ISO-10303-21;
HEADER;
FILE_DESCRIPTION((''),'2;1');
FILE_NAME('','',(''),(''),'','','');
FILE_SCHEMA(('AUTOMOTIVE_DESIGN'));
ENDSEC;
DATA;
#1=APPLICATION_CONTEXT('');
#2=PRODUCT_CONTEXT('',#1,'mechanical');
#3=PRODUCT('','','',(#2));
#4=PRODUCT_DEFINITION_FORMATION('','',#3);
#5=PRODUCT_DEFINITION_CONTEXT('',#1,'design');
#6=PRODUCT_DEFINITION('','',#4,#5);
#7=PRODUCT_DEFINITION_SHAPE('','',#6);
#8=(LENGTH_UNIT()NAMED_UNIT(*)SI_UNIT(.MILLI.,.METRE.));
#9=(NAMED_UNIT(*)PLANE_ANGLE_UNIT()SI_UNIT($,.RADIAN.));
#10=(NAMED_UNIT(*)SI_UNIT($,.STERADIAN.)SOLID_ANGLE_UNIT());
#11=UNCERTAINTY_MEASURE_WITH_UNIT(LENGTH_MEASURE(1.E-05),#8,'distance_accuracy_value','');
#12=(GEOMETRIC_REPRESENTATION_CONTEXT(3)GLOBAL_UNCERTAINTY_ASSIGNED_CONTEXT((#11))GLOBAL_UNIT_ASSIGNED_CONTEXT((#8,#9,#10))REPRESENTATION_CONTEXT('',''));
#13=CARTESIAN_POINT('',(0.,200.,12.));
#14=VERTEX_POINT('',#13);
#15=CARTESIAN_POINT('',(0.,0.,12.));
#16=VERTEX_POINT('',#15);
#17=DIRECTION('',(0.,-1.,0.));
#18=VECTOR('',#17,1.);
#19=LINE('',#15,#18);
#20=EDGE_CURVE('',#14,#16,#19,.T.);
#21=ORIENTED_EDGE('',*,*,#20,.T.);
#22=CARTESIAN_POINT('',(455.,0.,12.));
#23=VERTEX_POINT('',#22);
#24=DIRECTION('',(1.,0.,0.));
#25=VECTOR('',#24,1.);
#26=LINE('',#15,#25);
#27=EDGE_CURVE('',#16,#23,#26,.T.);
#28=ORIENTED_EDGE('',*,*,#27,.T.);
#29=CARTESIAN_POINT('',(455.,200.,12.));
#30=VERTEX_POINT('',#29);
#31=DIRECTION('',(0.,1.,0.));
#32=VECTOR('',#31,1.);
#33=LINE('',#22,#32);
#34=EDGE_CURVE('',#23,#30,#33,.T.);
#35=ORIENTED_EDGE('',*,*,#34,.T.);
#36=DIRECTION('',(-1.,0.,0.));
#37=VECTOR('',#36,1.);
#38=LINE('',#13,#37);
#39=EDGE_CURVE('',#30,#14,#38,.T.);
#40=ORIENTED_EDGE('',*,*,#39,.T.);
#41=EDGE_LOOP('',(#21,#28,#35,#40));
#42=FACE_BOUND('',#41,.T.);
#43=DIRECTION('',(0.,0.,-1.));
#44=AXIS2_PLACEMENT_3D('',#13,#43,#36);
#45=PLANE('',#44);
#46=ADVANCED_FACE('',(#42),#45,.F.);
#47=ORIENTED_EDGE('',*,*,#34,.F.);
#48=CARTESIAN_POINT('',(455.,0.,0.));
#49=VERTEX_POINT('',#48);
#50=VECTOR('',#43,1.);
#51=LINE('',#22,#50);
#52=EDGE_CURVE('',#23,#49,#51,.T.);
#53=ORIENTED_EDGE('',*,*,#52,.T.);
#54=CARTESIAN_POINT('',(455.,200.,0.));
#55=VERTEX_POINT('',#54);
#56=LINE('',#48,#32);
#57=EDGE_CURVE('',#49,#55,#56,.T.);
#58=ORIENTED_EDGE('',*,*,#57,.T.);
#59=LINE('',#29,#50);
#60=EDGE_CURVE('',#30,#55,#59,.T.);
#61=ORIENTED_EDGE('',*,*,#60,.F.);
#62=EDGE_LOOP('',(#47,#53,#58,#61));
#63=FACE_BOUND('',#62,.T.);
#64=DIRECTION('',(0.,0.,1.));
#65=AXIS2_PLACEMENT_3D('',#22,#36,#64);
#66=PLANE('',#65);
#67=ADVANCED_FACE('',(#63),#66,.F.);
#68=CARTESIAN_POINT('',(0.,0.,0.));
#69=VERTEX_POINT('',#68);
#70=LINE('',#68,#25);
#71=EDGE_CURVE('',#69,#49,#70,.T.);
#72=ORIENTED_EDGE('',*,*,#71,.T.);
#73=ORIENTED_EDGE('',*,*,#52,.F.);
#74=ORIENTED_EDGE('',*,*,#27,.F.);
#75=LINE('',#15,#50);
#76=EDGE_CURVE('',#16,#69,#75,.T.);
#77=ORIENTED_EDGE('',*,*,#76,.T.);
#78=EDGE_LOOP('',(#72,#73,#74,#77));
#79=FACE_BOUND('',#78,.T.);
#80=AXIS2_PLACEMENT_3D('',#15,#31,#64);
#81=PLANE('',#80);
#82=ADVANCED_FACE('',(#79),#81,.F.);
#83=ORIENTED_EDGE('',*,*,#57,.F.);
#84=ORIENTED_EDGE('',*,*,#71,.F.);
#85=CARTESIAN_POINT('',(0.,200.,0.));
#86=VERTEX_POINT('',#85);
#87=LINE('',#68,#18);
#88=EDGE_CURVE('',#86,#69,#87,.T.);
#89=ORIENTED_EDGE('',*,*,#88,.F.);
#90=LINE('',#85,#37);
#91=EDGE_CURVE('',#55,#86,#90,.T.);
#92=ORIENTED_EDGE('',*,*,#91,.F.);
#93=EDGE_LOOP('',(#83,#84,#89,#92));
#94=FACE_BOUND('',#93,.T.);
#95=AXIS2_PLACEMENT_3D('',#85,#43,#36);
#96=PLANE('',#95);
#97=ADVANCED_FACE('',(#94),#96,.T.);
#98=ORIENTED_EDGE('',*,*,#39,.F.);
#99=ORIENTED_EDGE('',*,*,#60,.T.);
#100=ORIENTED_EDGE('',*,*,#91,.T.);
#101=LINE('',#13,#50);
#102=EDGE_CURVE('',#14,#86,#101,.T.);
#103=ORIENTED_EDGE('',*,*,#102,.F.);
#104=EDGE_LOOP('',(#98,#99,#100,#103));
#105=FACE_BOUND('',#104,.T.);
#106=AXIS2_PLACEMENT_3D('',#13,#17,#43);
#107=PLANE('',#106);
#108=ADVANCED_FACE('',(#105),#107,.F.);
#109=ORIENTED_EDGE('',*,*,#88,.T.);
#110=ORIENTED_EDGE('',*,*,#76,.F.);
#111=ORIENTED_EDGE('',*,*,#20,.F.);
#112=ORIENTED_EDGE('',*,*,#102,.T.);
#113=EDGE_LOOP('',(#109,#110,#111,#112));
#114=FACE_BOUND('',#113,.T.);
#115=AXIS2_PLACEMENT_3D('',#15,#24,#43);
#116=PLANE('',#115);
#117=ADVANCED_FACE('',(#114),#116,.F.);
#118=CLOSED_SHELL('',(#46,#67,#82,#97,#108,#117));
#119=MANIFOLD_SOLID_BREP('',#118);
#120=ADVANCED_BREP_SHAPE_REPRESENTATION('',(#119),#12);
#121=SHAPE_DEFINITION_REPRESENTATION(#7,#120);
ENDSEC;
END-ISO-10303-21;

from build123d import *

# Parameters (mm, degrees)
SKETCH_1_W      = 455
SKETCH_1_H      = 200
EXTRUDE_1_DEPTH = 12


with BuildPart() as part:
    # 草图1 → 拉伸1 (new body)
    with BuildSketch(Plane.XY):
        with Locations((227.5, 100)):
            Rectangle(SKETCH_1_W, SKETCH_1_H)
    extrude(amount=EXTRUDE_1_DEPTH)


solid = part.part
